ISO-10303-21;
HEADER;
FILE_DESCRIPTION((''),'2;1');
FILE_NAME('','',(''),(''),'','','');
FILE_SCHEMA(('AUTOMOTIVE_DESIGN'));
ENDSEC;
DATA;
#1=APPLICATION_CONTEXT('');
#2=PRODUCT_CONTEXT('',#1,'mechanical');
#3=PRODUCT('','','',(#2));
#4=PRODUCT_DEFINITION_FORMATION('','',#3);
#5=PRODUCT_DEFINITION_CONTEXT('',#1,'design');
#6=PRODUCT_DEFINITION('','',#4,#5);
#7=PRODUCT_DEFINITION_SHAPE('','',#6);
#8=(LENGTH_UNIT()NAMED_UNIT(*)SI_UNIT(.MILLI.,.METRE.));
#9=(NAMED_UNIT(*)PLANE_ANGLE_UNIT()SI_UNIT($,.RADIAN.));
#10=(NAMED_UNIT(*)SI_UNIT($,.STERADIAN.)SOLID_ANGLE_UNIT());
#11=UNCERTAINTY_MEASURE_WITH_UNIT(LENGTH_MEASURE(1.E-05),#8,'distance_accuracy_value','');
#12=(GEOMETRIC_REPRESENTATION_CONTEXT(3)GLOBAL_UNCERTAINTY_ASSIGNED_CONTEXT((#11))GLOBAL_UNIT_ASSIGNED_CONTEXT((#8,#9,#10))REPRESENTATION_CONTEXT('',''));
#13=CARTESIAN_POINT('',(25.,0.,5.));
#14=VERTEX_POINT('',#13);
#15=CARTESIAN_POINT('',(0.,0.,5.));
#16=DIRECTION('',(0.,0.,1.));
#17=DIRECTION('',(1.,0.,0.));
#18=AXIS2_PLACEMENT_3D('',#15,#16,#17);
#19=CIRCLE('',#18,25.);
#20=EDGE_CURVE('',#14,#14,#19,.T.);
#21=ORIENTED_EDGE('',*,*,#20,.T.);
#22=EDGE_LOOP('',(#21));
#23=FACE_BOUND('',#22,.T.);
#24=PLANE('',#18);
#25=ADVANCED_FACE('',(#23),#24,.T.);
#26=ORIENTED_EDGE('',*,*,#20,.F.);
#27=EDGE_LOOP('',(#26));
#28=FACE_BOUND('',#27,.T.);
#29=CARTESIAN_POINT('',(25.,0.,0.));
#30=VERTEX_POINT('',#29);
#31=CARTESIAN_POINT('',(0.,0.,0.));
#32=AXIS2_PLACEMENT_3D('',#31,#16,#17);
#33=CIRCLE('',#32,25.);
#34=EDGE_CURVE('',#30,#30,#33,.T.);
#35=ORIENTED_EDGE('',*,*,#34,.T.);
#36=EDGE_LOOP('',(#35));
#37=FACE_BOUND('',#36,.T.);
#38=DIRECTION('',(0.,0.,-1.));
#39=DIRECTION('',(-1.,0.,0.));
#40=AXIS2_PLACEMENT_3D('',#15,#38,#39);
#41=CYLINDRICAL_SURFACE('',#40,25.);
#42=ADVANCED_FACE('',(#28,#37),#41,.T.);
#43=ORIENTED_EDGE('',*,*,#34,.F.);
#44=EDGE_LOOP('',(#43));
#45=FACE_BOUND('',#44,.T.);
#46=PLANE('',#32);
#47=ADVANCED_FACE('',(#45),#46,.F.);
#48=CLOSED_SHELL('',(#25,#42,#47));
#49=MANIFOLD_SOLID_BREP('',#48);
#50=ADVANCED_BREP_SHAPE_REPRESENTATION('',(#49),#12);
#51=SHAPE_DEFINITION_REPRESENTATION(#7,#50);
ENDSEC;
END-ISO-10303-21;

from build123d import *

# Parameters (mm, degrees)
SKETCH_1_R      = 25
EXTRUDE_1_DEPTH = 5


with BuildPart() as part:
    # 草图1 → 凸台-拉伸1 (new body)
    with BuildSketch(Plane.XY):
        Circle(SKETCH_1_R)
    extrude(amount=EXTRUDE_1_DEPTH)


solid = part.part
